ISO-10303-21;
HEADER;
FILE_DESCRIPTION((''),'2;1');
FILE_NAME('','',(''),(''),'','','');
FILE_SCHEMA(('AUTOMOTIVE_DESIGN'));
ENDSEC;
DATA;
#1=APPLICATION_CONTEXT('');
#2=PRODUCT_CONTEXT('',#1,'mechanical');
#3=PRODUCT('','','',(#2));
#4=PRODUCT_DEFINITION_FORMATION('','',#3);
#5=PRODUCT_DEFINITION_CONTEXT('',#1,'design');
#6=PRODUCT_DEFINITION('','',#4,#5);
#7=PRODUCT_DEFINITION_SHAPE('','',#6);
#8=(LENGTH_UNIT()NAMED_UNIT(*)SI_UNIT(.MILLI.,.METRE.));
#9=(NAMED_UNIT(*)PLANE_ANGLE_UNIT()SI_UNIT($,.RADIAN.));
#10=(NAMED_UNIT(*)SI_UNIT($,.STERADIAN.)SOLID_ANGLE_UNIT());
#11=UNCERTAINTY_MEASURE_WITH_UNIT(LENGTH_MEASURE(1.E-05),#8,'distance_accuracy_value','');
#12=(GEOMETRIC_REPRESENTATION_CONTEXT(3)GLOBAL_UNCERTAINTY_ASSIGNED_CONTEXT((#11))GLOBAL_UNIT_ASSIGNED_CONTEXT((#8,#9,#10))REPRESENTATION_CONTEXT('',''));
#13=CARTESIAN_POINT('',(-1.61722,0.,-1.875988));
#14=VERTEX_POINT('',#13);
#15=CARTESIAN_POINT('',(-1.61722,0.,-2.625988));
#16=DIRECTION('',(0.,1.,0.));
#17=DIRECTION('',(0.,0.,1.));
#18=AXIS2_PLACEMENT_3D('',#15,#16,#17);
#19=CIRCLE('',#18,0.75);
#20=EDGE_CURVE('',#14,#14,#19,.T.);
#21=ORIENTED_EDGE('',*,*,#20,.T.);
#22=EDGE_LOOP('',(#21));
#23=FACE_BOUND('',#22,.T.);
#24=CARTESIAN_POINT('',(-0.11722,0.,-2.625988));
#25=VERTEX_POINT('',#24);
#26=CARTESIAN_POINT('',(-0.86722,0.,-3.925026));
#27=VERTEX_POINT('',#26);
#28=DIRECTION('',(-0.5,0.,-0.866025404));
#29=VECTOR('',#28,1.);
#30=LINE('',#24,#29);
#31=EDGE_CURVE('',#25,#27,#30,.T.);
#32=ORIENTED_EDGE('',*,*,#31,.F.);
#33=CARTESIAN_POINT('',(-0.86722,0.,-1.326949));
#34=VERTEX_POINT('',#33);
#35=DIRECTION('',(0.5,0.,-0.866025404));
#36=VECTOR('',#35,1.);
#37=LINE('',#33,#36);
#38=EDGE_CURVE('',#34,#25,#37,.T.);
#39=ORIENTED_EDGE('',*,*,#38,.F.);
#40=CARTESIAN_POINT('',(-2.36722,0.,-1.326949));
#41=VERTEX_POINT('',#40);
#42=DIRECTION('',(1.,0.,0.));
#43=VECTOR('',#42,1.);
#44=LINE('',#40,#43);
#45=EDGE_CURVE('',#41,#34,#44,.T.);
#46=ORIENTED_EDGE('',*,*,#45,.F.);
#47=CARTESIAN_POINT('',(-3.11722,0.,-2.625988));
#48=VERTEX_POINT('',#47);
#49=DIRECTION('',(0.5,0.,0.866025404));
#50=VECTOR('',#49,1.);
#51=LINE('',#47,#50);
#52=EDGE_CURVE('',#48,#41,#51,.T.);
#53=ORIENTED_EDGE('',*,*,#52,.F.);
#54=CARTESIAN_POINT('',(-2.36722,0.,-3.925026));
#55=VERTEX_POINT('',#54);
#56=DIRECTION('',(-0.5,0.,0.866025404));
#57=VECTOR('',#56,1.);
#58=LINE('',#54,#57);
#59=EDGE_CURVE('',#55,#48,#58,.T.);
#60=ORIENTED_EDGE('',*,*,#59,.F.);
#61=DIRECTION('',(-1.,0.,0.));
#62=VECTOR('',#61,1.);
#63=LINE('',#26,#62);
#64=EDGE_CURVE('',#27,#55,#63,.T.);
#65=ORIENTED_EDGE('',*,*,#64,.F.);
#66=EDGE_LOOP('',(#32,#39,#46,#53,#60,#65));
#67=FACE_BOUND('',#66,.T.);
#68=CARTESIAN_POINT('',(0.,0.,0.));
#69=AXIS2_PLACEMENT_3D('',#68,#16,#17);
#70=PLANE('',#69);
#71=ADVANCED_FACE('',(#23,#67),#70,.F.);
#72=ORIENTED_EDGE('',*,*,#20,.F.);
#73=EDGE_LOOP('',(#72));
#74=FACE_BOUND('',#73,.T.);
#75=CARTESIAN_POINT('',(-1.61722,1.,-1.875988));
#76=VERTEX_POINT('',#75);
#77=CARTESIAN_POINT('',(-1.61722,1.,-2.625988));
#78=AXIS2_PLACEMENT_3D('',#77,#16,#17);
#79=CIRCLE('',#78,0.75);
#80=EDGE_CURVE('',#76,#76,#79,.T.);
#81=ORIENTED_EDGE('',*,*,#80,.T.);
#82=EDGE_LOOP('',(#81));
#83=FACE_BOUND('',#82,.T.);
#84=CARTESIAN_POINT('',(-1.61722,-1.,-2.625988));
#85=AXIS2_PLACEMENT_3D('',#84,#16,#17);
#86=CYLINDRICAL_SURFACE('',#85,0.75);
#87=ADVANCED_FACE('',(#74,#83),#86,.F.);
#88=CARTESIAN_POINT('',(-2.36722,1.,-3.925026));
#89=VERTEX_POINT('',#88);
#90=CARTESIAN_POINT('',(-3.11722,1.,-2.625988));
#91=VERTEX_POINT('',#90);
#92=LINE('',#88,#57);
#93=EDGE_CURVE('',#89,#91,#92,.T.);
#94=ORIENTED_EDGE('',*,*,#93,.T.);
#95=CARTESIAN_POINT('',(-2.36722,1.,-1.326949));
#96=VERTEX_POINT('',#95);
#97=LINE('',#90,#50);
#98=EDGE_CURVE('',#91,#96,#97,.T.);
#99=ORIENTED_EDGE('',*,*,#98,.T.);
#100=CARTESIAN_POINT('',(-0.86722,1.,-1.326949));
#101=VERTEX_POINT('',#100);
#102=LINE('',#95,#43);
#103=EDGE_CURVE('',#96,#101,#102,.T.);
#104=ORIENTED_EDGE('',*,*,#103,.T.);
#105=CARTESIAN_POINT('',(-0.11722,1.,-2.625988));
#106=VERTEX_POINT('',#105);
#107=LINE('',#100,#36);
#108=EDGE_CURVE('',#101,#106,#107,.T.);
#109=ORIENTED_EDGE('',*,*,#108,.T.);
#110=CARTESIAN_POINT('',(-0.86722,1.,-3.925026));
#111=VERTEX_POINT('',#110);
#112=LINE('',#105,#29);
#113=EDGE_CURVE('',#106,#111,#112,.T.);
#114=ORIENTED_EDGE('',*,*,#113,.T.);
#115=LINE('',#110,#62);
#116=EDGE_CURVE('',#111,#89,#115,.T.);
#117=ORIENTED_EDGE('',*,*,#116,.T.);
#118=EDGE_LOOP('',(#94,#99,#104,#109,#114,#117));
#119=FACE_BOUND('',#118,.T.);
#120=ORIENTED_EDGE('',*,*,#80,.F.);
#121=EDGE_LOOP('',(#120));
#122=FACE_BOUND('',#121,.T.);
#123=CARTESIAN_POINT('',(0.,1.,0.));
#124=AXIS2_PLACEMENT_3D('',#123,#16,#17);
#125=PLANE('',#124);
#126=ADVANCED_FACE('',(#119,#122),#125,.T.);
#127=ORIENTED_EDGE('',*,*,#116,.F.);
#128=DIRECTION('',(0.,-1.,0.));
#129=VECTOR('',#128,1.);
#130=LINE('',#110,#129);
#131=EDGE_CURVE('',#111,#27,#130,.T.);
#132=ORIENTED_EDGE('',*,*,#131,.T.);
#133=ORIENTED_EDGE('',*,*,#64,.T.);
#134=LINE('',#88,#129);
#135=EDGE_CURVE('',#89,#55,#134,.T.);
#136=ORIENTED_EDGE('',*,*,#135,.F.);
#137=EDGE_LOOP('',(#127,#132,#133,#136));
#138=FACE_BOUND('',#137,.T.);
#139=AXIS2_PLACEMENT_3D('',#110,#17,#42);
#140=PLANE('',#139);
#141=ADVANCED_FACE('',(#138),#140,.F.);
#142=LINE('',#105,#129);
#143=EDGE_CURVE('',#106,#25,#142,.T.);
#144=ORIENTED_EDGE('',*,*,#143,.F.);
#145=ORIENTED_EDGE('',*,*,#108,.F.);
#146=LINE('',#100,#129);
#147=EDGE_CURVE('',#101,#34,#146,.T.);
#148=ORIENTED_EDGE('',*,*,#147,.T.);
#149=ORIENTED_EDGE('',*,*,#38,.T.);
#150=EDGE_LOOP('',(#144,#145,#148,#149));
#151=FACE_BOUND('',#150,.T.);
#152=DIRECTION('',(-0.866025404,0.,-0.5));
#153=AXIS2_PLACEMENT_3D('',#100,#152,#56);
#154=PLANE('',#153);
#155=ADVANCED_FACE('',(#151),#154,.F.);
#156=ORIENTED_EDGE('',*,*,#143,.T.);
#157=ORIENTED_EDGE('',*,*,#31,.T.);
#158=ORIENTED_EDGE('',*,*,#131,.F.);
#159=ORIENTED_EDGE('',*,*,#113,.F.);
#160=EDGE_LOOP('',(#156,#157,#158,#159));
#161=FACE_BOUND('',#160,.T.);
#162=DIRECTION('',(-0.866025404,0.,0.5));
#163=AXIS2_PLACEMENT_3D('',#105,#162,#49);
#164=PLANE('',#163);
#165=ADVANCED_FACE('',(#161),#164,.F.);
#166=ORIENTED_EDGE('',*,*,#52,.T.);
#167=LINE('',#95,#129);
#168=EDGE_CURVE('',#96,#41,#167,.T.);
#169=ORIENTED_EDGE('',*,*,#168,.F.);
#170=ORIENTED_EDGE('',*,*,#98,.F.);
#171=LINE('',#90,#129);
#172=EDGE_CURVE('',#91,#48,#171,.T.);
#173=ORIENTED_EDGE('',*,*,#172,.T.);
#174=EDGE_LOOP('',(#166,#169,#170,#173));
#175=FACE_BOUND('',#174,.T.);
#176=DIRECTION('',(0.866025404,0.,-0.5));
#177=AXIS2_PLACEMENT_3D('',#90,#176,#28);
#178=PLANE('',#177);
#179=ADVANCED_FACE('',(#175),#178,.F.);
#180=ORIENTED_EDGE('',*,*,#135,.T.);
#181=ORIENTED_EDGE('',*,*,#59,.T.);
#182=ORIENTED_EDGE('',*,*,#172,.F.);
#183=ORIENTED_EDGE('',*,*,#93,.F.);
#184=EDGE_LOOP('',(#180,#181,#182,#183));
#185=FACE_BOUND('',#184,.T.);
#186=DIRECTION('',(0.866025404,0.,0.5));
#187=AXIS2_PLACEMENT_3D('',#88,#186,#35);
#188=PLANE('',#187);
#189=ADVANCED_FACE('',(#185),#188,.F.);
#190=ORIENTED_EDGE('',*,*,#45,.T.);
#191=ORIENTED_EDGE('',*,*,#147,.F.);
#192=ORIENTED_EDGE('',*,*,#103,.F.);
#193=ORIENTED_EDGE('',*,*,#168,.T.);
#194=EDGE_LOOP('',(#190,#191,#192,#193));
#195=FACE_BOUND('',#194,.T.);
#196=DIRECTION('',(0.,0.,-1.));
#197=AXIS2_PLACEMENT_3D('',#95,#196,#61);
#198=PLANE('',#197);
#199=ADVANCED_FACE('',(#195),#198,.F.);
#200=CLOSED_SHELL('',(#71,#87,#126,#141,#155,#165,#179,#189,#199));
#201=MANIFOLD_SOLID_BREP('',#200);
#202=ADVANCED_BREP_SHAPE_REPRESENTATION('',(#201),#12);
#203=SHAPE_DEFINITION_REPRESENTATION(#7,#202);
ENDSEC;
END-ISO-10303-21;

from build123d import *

# Parameters (mm, degrees)
EXTRUDE_1_DEPTH     = 1
SKETCH_2_R          = 0.75
CUT_EXTRUDE_1_DEPTH = 2


with BuildPart() as part:
    # 草图1 → 凸台-拉伸1 (new body)
    with BuildSketch(Plane(origin=(0, 0, 0), x_dir=(1, 0, 0), z_dir=(0, 1, 0))):
        Polygon((-3.117219624, 2.625987541), (-2.367219624, 1.326949435), (-0.867219624, 1.326949435), (-0.117219624, 2.625987541), (-0.867219624, 3.925025646), (-2.367219624, 3.925025646), align=None)
    extrude(amount=EXTRUDE_1_DEPTH)

    # 草图2 → 切除-拉伸1 (cut)
    with BuildSketch(Plane(origin=(0, 1, 0), x_dir=(1, 0, 0), z_dir=(0, 1, 0))):
        with Locations((-1.617219624, 2.625987541)):
            Circle(SKETCH_2_R)
    extrude(amount=-CUT_EXTRUDE_1_DEPTH, mode=Mode.SUBTRACT)


solid = part.part
